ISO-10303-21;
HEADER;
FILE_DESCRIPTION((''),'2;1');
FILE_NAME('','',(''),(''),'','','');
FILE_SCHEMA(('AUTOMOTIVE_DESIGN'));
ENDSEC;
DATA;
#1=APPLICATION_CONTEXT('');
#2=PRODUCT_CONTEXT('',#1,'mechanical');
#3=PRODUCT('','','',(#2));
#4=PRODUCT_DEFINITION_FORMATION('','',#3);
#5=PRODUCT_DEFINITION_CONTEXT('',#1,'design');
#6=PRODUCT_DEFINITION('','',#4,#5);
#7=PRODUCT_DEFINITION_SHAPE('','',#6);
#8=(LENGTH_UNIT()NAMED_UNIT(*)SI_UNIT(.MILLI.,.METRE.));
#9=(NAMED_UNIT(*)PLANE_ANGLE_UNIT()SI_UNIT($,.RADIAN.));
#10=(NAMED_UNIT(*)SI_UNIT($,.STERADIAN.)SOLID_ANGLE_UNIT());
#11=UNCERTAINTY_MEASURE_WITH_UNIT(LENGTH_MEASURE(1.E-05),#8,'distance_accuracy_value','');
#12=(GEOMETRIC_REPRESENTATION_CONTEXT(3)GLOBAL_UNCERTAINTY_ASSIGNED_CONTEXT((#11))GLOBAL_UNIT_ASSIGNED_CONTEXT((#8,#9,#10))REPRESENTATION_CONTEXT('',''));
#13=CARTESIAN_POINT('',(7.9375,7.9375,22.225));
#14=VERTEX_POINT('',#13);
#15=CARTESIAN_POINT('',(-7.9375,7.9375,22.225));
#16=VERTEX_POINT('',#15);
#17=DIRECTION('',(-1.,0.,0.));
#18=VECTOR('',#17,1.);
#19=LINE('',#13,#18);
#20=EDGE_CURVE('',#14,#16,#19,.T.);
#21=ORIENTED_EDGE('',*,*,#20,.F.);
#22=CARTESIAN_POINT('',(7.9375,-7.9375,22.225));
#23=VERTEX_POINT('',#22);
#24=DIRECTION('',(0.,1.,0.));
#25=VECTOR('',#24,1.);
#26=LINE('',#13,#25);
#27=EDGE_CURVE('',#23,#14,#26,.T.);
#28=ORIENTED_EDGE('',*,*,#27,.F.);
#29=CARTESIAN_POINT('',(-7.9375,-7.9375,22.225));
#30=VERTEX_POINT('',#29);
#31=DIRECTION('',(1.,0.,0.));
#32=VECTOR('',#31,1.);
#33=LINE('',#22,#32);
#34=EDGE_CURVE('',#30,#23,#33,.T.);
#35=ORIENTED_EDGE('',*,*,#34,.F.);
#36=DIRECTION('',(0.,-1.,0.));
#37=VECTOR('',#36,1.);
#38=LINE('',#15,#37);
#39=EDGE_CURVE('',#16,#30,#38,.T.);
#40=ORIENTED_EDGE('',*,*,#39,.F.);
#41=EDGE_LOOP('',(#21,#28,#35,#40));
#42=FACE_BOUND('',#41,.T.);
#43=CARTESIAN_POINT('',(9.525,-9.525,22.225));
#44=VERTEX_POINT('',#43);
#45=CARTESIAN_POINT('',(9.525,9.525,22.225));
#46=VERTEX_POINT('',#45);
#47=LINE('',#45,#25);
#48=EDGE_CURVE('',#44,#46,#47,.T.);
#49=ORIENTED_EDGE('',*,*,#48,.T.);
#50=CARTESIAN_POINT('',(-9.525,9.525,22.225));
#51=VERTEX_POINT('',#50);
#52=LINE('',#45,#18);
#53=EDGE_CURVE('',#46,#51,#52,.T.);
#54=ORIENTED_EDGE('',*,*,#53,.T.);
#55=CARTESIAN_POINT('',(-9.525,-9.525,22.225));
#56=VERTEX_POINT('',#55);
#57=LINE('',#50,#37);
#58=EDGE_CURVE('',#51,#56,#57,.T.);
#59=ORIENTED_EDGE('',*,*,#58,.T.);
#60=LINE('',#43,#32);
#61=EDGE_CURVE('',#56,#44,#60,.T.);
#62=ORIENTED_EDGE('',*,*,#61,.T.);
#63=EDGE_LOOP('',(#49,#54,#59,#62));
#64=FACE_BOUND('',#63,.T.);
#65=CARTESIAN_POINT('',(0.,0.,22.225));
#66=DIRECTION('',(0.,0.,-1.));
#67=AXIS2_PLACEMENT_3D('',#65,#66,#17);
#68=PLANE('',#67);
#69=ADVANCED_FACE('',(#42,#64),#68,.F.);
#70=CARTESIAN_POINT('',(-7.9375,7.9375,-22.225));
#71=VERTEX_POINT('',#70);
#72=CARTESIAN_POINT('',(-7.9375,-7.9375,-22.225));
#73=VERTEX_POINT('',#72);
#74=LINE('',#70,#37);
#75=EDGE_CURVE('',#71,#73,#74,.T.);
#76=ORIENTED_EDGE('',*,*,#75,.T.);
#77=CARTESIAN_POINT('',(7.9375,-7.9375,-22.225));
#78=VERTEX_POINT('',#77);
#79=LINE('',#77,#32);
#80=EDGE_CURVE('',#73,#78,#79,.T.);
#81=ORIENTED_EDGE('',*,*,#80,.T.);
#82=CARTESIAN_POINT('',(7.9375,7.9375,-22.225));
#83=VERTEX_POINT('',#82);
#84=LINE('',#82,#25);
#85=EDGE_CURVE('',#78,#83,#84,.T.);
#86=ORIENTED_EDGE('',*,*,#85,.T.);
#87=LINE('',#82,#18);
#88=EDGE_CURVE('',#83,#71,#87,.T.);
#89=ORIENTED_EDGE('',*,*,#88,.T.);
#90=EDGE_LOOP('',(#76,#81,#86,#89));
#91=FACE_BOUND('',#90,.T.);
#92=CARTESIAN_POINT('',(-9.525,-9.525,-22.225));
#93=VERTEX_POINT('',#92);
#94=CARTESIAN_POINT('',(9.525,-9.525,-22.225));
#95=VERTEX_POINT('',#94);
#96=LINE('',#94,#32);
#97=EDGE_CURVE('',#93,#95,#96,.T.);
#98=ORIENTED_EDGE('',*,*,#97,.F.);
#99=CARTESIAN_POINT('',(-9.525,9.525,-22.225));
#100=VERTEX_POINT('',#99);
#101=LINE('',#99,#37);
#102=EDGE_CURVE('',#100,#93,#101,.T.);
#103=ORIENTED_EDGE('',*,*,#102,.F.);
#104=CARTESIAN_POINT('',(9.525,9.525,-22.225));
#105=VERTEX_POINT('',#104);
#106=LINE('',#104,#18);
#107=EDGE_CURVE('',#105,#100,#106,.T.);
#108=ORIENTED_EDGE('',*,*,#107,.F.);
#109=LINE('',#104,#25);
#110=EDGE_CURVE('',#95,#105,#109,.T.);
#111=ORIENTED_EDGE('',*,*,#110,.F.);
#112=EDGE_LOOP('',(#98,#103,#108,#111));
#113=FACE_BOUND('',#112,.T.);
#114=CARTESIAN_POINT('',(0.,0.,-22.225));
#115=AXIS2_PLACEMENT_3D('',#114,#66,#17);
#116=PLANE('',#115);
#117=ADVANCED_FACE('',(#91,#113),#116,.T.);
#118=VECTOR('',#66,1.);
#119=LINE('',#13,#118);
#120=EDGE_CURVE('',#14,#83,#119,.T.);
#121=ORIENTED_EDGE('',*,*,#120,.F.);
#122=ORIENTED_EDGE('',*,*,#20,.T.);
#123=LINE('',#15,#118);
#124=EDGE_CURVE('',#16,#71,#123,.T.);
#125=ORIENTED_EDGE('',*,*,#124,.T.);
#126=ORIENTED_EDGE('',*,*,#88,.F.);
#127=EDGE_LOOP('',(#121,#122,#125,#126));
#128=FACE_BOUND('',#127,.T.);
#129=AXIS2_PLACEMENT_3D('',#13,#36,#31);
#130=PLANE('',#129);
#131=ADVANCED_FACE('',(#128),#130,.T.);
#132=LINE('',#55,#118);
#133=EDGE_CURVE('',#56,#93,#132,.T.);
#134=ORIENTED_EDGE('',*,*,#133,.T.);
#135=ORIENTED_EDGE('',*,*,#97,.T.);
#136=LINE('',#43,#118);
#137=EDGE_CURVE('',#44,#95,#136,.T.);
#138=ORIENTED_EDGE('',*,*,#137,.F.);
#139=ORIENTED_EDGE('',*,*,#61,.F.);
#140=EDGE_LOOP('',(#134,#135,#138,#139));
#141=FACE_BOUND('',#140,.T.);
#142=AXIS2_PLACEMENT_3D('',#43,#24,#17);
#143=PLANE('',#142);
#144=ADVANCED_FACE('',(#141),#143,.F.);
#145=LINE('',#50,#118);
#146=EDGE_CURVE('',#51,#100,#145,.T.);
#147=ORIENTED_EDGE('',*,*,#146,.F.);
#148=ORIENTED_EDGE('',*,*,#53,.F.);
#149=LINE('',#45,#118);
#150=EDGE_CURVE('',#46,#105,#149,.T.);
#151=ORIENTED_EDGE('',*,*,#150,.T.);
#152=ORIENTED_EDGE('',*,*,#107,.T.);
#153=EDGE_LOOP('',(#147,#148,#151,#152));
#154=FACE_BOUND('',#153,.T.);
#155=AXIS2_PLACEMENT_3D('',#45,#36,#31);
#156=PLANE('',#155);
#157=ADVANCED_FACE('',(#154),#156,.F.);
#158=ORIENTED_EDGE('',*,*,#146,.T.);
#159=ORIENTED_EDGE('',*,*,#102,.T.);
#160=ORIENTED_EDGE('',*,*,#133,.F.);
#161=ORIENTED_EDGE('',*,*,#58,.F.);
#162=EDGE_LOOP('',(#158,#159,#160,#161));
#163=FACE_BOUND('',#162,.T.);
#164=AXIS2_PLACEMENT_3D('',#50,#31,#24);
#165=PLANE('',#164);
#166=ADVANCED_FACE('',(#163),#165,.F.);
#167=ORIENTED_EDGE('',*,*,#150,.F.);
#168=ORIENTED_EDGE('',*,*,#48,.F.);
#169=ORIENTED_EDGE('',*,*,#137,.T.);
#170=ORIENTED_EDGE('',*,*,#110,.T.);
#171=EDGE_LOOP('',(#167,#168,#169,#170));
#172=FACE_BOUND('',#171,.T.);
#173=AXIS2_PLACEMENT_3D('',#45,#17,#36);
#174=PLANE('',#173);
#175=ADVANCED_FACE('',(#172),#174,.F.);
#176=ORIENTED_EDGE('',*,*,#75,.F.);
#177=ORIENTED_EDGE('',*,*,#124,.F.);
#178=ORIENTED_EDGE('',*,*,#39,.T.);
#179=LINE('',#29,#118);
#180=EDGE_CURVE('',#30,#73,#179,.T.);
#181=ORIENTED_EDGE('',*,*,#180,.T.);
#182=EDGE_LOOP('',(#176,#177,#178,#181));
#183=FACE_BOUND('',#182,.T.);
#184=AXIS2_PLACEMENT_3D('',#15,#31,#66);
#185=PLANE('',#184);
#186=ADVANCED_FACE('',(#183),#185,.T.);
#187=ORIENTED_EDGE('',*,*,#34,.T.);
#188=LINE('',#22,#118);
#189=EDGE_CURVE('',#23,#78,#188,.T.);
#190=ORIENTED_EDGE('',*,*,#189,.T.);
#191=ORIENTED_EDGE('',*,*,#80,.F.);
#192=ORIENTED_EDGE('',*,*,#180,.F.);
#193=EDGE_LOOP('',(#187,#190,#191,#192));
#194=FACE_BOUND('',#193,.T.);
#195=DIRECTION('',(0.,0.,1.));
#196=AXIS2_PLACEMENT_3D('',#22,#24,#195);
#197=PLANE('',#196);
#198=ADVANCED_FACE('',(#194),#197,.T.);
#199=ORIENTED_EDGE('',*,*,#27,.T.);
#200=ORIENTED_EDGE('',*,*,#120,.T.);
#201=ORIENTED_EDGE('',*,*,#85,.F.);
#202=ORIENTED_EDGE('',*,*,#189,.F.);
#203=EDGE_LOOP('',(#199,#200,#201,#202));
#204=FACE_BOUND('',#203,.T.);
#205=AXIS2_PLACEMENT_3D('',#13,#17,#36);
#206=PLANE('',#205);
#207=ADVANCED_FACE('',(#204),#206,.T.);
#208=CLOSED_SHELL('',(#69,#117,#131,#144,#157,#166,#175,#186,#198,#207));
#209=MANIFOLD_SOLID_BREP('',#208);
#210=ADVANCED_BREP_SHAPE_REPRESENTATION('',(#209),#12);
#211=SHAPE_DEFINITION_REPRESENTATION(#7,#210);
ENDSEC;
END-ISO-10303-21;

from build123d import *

# Parameters (mm, degrees)
CROQUIS1_W              = 19.05
CROQUIS1_H              = 19.05
CROQUIS1_W_2            = 15.875
CROQUIS1_H_2            = 15.875
SALIENTE_EXTRUIR1_DEPTH = 22.225


with BuildPart() as part:
    # Croquis1 → Saliente-Extruir1 (new body, symmetric)
    with BuildSketch(Plane.XY):
        Rectangle(CROQUIS1_W, CROQUIS1_H)
        Rectangle(CROQUIS1_W_2, CROQUIS1_H_2, mode=Mode.SUBTRACT)
    extrude(amount=SALIENTE_EXTRUIR1_DEPTH, both=True)


solid = part.part
